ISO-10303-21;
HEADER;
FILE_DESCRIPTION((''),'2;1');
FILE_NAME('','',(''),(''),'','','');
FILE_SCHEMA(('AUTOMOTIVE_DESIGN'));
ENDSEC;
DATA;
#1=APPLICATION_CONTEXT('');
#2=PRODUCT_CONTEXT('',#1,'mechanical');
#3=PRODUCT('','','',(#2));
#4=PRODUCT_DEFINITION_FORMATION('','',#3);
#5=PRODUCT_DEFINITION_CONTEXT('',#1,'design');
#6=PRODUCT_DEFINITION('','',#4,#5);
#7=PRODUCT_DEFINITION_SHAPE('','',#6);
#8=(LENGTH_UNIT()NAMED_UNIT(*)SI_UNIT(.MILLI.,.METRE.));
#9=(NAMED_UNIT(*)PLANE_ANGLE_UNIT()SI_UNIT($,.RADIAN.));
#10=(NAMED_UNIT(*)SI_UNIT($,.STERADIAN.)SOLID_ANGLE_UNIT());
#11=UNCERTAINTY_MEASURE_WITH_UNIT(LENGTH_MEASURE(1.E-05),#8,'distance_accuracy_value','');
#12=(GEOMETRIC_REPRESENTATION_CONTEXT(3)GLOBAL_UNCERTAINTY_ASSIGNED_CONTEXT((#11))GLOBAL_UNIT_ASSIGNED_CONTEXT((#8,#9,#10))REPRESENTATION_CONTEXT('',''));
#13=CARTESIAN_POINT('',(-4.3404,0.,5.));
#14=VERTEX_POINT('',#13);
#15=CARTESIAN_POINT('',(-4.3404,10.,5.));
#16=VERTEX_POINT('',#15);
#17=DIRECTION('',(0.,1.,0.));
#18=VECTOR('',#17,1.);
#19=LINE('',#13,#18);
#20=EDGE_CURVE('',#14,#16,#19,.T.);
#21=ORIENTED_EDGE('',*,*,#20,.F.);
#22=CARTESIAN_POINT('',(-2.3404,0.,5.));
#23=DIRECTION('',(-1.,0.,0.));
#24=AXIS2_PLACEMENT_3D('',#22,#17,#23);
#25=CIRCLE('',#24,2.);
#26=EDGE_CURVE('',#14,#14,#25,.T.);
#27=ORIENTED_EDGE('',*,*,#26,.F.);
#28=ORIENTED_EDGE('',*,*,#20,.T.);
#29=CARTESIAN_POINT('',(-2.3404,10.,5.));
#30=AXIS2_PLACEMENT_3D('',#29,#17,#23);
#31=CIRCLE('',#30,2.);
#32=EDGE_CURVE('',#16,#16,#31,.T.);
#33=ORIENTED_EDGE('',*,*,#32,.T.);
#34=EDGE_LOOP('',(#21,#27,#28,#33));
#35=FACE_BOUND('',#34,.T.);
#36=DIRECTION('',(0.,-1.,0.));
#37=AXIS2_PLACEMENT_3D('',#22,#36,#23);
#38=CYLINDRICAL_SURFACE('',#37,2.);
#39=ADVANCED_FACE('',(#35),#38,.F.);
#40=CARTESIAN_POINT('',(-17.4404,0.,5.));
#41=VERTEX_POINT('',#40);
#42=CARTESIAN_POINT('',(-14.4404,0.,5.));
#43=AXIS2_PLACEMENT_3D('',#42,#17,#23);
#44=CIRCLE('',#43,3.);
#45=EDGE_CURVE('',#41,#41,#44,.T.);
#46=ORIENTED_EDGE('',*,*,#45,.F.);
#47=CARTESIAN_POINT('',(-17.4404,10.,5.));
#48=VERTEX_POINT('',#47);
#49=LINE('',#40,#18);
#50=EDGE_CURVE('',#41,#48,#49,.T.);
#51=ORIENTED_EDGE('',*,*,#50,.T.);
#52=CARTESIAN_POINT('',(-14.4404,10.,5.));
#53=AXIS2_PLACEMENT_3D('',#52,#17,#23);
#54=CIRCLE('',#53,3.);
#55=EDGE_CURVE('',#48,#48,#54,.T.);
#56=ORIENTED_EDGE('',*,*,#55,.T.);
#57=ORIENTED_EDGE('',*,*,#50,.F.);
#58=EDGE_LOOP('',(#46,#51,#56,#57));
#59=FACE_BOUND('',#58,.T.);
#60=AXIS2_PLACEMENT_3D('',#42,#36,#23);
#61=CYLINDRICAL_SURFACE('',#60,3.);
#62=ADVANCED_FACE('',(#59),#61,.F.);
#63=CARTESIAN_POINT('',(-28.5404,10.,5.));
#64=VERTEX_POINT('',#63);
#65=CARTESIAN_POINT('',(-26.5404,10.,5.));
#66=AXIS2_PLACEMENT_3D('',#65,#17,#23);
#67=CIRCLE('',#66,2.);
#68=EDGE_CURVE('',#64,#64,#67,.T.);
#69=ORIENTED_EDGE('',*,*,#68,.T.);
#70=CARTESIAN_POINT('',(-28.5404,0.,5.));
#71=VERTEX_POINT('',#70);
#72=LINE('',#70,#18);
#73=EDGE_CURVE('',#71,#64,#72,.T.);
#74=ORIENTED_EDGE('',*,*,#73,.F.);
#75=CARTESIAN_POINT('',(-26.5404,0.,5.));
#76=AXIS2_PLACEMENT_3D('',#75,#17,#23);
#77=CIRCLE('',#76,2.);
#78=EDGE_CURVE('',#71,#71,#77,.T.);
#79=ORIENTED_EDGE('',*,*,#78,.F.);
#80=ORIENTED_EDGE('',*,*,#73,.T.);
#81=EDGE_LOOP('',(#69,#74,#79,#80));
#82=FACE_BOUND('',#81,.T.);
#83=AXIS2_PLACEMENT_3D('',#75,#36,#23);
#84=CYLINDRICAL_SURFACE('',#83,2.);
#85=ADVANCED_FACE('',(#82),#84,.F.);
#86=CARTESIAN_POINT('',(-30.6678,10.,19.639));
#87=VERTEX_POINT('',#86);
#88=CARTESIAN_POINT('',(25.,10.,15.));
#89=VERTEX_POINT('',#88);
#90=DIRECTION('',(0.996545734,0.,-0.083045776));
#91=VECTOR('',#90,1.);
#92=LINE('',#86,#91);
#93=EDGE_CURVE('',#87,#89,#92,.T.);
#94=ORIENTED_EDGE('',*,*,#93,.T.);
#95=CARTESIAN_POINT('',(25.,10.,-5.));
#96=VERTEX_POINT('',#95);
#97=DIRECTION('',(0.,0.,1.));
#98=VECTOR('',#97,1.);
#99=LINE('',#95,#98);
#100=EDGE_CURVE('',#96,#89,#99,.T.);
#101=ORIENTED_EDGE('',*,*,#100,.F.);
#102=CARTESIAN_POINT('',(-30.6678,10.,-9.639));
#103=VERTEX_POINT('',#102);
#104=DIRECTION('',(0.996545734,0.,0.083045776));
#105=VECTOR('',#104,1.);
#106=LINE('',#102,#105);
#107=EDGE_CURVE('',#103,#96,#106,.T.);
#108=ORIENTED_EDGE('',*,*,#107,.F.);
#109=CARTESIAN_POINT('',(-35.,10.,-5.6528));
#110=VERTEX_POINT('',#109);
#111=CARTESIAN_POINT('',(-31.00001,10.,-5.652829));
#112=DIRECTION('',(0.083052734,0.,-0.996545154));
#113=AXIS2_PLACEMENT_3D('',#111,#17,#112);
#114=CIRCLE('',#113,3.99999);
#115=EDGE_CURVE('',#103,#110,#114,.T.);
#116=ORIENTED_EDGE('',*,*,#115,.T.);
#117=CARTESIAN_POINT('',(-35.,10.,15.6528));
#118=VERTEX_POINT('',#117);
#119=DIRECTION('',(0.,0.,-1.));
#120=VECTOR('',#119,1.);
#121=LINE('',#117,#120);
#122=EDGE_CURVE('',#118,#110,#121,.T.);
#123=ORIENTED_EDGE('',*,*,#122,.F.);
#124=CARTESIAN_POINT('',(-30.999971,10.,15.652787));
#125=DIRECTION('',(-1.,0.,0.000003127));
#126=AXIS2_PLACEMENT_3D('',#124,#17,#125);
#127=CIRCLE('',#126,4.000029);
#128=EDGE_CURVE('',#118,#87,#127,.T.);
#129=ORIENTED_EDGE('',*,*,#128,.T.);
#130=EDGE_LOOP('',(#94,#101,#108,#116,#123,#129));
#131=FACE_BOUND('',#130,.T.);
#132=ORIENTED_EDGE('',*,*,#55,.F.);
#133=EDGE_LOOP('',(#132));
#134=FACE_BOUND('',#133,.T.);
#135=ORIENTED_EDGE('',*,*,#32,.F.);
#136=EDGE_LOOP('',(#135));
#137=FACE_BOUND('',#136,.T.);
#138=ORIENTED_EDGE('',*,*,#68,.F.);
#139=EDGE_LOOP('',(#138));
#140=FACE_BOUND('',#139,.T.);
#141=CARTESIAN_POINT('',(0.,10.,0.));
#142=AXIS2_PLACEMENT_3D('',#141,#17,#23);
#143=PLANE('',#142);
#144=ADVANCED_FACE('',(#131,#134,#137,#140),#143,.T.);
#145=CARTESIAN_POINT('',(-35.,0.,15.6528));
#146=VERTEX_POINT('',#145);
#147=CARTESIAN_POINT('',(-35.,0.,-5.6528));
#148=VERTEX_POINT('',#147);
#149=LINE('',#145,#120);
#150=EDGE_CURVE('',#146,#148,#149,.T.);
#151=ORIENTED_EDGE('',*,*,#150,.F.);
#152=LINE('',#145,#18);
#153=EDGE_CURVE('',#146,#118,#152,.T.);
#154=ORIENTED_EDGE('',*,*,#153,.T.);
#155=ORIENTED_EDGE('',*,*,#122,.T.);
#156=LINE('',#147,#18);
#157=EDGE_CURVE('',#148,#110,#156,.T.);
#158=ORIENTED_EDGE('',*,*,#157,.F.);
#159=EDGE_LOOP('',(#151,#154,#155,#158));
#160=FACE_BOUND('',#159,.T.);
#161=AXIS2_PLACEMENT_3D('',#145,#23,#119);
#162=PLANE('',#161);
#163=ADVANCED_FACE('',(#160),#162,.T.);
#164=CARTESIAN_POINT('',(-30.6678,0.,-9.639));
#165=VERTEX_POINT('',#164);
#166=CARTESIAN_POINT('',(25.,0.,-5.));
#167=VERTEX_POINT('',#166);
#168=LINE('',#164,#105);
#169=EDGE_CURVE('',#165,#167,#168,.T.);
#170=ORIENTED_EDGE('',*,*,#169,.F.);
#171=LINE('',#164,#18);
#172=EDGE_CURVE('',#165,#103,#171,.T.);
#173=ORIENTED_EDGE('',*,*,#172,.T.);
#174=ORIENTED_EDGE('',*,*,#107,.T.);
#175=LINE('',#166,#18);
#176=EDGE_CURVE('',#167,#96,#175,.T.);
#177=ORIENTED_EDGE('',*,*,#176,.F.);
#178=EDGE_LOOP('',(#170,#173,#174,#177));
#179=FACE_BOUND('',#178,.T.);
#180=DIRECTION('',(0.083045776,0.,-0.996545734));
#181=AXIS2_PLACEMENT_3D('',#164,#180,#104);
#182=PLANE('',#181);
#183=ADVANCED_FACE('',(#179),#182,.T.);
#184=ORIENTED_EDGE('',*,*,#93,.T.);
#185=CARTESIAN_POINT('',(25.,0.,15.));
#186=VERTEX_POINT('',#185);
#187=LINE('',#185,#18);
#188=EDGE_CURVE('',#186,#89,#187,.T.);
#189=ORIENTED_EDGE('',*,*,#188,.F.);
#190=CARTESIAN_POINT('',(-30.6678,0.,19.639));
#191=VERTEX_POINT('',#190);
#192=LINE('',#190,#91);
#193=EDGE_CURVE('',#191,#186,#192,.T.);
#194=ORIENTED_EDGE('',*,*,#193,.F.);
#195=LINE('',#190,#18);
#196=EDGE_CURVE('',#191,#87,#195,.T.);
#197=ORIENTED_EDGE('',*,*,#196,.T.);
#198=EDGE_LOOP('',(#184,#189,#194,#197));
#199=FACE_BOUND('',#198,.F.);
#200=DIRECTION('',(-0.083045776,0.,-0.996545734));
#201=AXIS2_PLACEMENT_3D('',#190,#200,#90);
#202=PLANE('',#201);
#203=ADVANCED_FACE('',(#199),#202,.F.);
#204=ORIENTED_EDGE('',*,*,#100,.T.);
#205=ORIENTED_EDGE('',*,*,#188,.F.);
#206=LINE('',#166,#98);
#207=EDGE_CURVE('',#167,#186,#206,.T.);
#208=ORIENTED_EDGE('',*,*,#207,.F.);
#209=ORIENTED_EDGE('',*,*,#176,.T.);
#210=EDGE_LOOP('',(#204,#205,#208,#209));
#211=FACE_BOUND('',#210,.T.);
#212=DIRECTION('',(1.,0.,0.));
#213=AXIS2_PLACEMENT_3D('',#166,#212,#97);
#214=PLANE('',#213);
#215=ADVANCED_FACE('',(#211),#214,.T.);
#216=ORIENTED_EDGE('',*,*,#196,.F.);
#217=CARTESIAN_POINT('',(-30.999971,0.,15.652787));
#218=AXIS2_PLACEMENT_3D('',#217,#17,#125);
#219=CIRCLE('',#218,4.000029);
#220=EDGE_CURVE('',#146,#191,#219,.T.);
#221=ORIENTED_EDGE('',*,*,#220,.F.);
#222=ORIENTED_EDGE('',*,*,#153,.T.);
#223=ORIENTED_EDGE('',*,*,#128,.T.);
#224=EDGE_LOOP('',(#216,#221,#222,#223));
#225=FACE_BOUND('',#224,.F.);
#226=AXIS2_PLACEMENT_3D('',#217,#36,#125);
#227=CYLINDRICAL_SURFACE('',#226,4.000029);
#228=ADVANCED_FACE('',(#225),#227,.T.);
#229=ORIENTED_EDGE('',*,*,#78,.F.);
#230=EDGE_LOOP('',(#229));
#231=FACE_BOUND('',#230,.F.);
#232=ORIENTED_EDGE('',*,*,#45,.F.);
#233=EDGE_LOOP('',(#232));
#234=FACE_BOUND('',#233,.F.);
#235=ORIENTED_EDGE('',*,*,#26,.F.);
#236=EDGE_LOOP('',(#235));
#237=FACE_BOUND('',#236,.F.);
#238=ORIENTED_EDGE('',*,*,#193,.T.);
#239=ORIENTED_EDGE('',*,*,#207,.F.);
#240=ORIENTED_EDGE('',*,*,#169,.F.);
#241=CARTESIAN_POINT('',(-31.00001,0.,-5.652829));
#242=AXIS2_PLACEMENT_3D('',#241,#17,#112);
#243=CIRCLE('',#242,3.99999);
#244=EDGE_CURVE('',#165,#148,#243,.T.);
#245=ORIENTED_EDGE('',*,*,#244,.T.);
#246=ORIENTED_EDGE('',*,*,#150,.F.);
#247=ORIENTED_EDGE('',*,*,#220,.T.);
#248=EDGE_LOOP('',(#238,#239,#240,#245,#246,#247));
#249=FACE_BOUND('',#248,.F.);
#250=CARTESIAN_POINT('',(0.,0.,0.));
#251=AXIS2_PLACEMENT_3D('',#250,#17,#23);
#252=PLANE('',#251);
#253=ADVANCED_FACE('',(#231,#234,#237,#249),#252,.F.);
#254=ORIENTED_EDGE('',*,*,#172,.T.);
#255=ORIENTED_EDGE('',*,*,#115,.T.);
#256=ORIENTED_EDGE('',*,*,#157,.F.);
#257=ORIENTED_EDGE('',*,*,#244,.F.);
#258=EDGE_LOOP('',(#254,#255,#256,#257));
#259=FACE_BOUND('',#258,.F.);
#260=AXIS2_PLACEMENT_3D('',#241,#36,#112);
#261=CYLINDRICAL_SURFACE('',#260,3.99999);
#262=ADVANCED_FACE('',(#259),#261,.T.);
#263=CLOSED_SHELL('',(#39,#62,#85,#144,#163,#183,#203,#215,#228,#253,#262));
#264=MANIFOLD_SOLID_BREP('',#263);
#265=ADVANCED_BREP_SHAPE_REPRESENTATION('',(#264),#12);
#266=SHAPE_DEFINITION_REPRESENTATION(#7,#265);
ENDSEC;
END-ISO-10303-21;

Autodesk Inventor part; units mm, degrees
ref_plane "YZ Plane" through (0, 0, 0) normal (1, 0, 0) x (0, 1, 0)
ref_plane "XZ Plane" through (0, 0, 0) normal (0, 1, 0) x (-1, 0, 0)
ref_plane "XY Plane" through (0, 0, 0) normal (0, 0, 1) x (1, 0, 0)
sketch "Эскиз1" plane through (0, 0, 0) normal (0, 1, 0) x (-1, 0, 0)
  line L0 (35, 15.6528) -> (35, -5.6528)
  line L1 (-25, -5) -> (-25, 15)
  line L2 (30.6678, 19.639) -> (-25, 15)
  line L3 (30.6678, -9.639) -> (-25, -5)
  circle A0 centre (2.3404, 5) radius 2
  circle A1 centre (14.4404, 5) radius 3
  circle A2 centre (26.5404, 5) radius 2
  arc A3 (35, 15.6528) -> (30.6678, 19.639) centre (31, 15.6528) ccw
  arc A4 (30.6678, -9.639) -> (35, -5.6528) centre (31, -5.6528) ccw
  point P0 (0, 0)
  point P1 (35, -10)
  point P2 (35, 20)
  point P3 (12.9676, -25.8489)
  dimension "d0" = 30
  dimension "d4" = 60
  dimension "d6" = 15
  dimension "d8" = 4
extrude "Выдавливание1" add sketch "Эскиз1" along normal blind 10
properties part number "хуйня резня"
